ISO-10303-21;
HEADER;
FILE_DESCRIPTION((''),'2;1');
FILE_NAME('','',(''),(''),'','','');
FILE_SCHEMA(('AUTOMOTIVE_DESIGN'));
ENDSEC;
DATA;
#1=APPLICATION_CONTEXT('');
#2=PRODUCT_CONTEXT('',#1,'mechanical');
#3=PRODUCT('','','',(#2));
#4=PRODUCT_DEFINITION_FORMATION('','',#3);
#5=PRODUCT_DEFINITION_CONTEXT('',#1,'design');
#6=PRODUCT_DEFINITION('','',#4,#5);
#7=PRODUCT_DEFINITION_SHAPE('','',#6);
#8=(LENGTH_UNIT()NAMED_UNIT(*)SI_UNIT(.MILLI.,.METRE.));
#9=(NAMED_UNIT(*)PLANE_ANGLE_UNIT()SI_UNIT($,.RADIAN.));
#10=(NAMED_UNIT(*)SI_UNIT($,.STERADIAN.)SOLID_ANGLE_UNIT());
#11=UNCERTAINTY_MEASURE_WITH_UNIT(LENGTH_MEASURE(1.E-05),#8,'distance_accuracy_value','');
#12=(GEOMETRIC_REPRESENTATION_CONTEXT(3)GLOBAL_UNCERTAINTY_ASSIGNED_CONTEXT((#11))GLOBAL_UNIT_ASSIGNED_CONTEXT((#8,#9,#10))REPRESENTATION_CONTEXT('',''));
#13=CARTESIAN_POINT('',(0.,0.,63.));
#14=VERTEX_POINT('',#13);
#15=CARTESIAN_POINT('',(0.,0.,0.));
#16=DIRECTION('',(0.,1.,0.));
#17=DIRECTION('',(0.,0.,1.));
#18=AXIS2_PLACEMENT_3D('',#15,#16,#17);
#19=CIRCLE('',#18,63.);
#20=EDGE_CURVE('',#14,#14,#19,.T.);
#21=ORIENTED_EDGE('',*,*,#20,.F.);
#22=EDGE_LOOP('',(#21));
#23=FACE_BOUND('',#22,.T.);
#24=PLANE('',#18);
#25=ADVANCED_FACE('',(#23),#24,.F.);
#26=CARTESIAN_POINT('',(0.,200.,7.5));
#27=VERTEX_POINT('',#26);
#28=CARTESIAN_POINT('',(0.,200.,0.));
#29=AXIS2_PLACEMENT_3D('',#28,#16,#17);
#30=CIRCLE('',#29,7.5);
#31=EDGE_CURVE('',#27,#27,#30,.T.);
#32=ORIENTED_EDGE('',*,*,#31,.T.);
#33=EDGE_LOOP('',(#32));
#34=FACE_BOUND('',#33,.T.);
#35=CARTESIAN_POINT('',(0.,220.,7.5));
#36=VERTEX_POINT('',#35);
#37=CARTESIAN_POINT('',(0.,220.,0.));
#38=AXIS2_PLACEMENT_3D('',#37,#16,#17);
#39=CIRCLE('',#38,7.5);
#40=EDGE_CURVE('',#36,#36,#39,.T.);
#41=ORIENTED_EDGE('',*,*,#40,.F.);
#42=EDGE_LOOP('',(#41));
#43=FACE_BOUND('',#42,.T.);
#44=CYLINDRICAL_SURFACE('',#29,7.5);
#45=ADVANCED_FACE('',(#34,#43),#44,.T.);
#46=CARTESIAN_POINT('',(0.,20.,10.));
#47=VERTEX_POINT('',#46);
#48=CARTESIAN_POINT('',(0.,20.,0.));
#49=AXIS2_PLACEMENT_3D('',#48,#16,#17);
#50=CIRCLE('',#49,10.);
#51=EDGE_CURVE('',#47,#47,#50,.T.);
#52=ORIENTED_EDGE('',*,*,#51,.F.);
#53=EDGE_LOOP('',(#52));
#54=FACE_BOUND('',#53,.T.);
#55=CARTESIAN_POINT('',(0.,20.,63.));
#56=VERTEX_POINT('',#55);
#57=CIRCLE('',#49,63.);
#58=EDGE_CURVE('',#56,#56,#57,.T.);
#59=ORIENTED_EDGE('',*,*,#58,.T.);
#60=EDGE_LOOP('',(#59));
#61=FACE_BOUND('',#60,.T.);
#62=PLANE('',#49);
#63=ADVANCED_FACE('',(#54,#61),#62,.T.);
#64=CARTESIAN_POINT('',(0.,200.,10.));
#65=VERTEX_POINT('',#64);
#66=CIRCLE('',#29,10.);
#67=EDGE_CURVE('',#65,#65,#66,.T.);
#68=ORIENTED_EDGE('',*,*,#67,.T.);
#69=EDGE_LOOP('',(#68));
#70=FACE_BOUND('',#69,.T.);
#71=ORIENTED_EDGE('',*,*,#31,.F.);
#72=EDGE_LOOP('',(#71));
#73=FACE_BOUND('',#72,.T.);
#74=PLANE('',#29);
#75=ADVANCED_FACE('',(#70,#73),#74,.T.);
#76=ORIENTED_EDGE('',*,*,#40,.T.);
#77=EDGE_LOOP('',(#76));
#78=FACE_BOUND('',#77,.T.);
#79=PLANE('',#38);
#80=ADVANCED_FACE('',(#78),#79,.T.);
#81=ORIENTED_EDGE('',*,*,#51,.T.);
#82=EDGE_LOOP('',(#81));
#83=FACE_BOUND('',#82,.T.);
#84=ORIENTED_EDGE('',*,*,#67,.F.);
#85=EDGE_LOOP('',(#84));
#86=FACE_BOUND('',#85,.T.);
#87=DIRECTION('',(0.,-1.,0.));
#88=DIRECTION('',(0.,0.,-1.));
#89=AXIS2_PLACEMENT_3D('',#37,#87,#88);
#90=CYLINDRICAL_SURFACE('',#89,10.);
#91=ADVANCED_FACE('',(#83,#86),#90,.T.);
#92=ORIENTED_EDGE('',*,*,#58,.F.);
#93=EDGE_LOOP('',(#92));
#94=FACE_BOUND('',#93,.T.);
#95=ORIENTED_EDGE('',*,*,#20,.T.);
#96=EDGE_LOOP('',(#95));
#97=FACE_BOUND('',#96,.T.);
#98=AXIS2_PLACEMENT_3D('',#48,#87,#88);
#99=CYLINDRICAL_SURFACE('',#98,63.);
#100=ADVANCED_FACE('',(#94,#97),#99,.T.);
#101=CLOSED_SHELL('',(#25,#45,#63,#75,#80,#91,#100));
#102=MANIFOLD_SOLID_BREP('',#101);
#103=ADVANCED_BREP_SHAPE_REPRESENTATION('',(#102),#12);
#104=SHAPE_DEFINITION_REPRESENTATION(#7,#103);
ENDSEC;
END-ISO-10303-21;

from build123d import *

# Parameters (mm, degrees)
SKETCH1_R           = 63
BOSS_EXTRUDE1_DEPTH = 20
SKETCH2_R           = 10
BOSS_EXTRUDE2_DEPTH = 200
SKETCH3_OUTSIDE_W   = 184.622
SKETCH3_OUTSIDE_H   = 184.622
SKETCH3_OUTSIDE_R   = 7.5
CUT_EXTRUDE1_DEPTH  = 20


with BuildPart() as part:
    # Sketch1 → Boss-Extrude1 (new body)
    with BuildSketch(Plane(origin=(0, 0, 0), x_dir=(1, 0, 0), z_dir=(0, 1, 0))):
        with Locations(Location((0, 0, 0), (0, 0, 270))):
            Circle(SKETCH1_R)
    extrude(amount=BOSS_EXTRUDE1_DEPTH)

    # Sketch2 → Boss-Extrude2 (add)
    with BuildSketch(Plane(origin=(0, 20, 0), x_dir=(1, 0, 0), z_dir=(0, 1, 0))):
        with Locations(Location((0, 0, 0), (0, 0, 270))):
            Circle(SKETCH2_R)
    extrude(amount=BOSS_EXTRUDE2_DEPTH)

    # Sketch3 outside → Cut-Extrude1 (cut)
    with BuildSketch(Plane(origin=(0, 220, 0), x_dir=(1, 0, 0), z_dir=(0, 1, 0))):
        Rectangle(SKETCH3_OUTSIDE_W, SKETCH3_OUTSIDE_H)
        with Locations(Location((0, 0, 0), (0, 0, 270))):
            Circle(SKETCH3_OUTSIDE_R, mode=Mode.SUBTRACT)
    extrude(amount=-CUT_EXTRUDE1_DEPTH, mode=Mode.SUBTRACT)


solid = part.part
